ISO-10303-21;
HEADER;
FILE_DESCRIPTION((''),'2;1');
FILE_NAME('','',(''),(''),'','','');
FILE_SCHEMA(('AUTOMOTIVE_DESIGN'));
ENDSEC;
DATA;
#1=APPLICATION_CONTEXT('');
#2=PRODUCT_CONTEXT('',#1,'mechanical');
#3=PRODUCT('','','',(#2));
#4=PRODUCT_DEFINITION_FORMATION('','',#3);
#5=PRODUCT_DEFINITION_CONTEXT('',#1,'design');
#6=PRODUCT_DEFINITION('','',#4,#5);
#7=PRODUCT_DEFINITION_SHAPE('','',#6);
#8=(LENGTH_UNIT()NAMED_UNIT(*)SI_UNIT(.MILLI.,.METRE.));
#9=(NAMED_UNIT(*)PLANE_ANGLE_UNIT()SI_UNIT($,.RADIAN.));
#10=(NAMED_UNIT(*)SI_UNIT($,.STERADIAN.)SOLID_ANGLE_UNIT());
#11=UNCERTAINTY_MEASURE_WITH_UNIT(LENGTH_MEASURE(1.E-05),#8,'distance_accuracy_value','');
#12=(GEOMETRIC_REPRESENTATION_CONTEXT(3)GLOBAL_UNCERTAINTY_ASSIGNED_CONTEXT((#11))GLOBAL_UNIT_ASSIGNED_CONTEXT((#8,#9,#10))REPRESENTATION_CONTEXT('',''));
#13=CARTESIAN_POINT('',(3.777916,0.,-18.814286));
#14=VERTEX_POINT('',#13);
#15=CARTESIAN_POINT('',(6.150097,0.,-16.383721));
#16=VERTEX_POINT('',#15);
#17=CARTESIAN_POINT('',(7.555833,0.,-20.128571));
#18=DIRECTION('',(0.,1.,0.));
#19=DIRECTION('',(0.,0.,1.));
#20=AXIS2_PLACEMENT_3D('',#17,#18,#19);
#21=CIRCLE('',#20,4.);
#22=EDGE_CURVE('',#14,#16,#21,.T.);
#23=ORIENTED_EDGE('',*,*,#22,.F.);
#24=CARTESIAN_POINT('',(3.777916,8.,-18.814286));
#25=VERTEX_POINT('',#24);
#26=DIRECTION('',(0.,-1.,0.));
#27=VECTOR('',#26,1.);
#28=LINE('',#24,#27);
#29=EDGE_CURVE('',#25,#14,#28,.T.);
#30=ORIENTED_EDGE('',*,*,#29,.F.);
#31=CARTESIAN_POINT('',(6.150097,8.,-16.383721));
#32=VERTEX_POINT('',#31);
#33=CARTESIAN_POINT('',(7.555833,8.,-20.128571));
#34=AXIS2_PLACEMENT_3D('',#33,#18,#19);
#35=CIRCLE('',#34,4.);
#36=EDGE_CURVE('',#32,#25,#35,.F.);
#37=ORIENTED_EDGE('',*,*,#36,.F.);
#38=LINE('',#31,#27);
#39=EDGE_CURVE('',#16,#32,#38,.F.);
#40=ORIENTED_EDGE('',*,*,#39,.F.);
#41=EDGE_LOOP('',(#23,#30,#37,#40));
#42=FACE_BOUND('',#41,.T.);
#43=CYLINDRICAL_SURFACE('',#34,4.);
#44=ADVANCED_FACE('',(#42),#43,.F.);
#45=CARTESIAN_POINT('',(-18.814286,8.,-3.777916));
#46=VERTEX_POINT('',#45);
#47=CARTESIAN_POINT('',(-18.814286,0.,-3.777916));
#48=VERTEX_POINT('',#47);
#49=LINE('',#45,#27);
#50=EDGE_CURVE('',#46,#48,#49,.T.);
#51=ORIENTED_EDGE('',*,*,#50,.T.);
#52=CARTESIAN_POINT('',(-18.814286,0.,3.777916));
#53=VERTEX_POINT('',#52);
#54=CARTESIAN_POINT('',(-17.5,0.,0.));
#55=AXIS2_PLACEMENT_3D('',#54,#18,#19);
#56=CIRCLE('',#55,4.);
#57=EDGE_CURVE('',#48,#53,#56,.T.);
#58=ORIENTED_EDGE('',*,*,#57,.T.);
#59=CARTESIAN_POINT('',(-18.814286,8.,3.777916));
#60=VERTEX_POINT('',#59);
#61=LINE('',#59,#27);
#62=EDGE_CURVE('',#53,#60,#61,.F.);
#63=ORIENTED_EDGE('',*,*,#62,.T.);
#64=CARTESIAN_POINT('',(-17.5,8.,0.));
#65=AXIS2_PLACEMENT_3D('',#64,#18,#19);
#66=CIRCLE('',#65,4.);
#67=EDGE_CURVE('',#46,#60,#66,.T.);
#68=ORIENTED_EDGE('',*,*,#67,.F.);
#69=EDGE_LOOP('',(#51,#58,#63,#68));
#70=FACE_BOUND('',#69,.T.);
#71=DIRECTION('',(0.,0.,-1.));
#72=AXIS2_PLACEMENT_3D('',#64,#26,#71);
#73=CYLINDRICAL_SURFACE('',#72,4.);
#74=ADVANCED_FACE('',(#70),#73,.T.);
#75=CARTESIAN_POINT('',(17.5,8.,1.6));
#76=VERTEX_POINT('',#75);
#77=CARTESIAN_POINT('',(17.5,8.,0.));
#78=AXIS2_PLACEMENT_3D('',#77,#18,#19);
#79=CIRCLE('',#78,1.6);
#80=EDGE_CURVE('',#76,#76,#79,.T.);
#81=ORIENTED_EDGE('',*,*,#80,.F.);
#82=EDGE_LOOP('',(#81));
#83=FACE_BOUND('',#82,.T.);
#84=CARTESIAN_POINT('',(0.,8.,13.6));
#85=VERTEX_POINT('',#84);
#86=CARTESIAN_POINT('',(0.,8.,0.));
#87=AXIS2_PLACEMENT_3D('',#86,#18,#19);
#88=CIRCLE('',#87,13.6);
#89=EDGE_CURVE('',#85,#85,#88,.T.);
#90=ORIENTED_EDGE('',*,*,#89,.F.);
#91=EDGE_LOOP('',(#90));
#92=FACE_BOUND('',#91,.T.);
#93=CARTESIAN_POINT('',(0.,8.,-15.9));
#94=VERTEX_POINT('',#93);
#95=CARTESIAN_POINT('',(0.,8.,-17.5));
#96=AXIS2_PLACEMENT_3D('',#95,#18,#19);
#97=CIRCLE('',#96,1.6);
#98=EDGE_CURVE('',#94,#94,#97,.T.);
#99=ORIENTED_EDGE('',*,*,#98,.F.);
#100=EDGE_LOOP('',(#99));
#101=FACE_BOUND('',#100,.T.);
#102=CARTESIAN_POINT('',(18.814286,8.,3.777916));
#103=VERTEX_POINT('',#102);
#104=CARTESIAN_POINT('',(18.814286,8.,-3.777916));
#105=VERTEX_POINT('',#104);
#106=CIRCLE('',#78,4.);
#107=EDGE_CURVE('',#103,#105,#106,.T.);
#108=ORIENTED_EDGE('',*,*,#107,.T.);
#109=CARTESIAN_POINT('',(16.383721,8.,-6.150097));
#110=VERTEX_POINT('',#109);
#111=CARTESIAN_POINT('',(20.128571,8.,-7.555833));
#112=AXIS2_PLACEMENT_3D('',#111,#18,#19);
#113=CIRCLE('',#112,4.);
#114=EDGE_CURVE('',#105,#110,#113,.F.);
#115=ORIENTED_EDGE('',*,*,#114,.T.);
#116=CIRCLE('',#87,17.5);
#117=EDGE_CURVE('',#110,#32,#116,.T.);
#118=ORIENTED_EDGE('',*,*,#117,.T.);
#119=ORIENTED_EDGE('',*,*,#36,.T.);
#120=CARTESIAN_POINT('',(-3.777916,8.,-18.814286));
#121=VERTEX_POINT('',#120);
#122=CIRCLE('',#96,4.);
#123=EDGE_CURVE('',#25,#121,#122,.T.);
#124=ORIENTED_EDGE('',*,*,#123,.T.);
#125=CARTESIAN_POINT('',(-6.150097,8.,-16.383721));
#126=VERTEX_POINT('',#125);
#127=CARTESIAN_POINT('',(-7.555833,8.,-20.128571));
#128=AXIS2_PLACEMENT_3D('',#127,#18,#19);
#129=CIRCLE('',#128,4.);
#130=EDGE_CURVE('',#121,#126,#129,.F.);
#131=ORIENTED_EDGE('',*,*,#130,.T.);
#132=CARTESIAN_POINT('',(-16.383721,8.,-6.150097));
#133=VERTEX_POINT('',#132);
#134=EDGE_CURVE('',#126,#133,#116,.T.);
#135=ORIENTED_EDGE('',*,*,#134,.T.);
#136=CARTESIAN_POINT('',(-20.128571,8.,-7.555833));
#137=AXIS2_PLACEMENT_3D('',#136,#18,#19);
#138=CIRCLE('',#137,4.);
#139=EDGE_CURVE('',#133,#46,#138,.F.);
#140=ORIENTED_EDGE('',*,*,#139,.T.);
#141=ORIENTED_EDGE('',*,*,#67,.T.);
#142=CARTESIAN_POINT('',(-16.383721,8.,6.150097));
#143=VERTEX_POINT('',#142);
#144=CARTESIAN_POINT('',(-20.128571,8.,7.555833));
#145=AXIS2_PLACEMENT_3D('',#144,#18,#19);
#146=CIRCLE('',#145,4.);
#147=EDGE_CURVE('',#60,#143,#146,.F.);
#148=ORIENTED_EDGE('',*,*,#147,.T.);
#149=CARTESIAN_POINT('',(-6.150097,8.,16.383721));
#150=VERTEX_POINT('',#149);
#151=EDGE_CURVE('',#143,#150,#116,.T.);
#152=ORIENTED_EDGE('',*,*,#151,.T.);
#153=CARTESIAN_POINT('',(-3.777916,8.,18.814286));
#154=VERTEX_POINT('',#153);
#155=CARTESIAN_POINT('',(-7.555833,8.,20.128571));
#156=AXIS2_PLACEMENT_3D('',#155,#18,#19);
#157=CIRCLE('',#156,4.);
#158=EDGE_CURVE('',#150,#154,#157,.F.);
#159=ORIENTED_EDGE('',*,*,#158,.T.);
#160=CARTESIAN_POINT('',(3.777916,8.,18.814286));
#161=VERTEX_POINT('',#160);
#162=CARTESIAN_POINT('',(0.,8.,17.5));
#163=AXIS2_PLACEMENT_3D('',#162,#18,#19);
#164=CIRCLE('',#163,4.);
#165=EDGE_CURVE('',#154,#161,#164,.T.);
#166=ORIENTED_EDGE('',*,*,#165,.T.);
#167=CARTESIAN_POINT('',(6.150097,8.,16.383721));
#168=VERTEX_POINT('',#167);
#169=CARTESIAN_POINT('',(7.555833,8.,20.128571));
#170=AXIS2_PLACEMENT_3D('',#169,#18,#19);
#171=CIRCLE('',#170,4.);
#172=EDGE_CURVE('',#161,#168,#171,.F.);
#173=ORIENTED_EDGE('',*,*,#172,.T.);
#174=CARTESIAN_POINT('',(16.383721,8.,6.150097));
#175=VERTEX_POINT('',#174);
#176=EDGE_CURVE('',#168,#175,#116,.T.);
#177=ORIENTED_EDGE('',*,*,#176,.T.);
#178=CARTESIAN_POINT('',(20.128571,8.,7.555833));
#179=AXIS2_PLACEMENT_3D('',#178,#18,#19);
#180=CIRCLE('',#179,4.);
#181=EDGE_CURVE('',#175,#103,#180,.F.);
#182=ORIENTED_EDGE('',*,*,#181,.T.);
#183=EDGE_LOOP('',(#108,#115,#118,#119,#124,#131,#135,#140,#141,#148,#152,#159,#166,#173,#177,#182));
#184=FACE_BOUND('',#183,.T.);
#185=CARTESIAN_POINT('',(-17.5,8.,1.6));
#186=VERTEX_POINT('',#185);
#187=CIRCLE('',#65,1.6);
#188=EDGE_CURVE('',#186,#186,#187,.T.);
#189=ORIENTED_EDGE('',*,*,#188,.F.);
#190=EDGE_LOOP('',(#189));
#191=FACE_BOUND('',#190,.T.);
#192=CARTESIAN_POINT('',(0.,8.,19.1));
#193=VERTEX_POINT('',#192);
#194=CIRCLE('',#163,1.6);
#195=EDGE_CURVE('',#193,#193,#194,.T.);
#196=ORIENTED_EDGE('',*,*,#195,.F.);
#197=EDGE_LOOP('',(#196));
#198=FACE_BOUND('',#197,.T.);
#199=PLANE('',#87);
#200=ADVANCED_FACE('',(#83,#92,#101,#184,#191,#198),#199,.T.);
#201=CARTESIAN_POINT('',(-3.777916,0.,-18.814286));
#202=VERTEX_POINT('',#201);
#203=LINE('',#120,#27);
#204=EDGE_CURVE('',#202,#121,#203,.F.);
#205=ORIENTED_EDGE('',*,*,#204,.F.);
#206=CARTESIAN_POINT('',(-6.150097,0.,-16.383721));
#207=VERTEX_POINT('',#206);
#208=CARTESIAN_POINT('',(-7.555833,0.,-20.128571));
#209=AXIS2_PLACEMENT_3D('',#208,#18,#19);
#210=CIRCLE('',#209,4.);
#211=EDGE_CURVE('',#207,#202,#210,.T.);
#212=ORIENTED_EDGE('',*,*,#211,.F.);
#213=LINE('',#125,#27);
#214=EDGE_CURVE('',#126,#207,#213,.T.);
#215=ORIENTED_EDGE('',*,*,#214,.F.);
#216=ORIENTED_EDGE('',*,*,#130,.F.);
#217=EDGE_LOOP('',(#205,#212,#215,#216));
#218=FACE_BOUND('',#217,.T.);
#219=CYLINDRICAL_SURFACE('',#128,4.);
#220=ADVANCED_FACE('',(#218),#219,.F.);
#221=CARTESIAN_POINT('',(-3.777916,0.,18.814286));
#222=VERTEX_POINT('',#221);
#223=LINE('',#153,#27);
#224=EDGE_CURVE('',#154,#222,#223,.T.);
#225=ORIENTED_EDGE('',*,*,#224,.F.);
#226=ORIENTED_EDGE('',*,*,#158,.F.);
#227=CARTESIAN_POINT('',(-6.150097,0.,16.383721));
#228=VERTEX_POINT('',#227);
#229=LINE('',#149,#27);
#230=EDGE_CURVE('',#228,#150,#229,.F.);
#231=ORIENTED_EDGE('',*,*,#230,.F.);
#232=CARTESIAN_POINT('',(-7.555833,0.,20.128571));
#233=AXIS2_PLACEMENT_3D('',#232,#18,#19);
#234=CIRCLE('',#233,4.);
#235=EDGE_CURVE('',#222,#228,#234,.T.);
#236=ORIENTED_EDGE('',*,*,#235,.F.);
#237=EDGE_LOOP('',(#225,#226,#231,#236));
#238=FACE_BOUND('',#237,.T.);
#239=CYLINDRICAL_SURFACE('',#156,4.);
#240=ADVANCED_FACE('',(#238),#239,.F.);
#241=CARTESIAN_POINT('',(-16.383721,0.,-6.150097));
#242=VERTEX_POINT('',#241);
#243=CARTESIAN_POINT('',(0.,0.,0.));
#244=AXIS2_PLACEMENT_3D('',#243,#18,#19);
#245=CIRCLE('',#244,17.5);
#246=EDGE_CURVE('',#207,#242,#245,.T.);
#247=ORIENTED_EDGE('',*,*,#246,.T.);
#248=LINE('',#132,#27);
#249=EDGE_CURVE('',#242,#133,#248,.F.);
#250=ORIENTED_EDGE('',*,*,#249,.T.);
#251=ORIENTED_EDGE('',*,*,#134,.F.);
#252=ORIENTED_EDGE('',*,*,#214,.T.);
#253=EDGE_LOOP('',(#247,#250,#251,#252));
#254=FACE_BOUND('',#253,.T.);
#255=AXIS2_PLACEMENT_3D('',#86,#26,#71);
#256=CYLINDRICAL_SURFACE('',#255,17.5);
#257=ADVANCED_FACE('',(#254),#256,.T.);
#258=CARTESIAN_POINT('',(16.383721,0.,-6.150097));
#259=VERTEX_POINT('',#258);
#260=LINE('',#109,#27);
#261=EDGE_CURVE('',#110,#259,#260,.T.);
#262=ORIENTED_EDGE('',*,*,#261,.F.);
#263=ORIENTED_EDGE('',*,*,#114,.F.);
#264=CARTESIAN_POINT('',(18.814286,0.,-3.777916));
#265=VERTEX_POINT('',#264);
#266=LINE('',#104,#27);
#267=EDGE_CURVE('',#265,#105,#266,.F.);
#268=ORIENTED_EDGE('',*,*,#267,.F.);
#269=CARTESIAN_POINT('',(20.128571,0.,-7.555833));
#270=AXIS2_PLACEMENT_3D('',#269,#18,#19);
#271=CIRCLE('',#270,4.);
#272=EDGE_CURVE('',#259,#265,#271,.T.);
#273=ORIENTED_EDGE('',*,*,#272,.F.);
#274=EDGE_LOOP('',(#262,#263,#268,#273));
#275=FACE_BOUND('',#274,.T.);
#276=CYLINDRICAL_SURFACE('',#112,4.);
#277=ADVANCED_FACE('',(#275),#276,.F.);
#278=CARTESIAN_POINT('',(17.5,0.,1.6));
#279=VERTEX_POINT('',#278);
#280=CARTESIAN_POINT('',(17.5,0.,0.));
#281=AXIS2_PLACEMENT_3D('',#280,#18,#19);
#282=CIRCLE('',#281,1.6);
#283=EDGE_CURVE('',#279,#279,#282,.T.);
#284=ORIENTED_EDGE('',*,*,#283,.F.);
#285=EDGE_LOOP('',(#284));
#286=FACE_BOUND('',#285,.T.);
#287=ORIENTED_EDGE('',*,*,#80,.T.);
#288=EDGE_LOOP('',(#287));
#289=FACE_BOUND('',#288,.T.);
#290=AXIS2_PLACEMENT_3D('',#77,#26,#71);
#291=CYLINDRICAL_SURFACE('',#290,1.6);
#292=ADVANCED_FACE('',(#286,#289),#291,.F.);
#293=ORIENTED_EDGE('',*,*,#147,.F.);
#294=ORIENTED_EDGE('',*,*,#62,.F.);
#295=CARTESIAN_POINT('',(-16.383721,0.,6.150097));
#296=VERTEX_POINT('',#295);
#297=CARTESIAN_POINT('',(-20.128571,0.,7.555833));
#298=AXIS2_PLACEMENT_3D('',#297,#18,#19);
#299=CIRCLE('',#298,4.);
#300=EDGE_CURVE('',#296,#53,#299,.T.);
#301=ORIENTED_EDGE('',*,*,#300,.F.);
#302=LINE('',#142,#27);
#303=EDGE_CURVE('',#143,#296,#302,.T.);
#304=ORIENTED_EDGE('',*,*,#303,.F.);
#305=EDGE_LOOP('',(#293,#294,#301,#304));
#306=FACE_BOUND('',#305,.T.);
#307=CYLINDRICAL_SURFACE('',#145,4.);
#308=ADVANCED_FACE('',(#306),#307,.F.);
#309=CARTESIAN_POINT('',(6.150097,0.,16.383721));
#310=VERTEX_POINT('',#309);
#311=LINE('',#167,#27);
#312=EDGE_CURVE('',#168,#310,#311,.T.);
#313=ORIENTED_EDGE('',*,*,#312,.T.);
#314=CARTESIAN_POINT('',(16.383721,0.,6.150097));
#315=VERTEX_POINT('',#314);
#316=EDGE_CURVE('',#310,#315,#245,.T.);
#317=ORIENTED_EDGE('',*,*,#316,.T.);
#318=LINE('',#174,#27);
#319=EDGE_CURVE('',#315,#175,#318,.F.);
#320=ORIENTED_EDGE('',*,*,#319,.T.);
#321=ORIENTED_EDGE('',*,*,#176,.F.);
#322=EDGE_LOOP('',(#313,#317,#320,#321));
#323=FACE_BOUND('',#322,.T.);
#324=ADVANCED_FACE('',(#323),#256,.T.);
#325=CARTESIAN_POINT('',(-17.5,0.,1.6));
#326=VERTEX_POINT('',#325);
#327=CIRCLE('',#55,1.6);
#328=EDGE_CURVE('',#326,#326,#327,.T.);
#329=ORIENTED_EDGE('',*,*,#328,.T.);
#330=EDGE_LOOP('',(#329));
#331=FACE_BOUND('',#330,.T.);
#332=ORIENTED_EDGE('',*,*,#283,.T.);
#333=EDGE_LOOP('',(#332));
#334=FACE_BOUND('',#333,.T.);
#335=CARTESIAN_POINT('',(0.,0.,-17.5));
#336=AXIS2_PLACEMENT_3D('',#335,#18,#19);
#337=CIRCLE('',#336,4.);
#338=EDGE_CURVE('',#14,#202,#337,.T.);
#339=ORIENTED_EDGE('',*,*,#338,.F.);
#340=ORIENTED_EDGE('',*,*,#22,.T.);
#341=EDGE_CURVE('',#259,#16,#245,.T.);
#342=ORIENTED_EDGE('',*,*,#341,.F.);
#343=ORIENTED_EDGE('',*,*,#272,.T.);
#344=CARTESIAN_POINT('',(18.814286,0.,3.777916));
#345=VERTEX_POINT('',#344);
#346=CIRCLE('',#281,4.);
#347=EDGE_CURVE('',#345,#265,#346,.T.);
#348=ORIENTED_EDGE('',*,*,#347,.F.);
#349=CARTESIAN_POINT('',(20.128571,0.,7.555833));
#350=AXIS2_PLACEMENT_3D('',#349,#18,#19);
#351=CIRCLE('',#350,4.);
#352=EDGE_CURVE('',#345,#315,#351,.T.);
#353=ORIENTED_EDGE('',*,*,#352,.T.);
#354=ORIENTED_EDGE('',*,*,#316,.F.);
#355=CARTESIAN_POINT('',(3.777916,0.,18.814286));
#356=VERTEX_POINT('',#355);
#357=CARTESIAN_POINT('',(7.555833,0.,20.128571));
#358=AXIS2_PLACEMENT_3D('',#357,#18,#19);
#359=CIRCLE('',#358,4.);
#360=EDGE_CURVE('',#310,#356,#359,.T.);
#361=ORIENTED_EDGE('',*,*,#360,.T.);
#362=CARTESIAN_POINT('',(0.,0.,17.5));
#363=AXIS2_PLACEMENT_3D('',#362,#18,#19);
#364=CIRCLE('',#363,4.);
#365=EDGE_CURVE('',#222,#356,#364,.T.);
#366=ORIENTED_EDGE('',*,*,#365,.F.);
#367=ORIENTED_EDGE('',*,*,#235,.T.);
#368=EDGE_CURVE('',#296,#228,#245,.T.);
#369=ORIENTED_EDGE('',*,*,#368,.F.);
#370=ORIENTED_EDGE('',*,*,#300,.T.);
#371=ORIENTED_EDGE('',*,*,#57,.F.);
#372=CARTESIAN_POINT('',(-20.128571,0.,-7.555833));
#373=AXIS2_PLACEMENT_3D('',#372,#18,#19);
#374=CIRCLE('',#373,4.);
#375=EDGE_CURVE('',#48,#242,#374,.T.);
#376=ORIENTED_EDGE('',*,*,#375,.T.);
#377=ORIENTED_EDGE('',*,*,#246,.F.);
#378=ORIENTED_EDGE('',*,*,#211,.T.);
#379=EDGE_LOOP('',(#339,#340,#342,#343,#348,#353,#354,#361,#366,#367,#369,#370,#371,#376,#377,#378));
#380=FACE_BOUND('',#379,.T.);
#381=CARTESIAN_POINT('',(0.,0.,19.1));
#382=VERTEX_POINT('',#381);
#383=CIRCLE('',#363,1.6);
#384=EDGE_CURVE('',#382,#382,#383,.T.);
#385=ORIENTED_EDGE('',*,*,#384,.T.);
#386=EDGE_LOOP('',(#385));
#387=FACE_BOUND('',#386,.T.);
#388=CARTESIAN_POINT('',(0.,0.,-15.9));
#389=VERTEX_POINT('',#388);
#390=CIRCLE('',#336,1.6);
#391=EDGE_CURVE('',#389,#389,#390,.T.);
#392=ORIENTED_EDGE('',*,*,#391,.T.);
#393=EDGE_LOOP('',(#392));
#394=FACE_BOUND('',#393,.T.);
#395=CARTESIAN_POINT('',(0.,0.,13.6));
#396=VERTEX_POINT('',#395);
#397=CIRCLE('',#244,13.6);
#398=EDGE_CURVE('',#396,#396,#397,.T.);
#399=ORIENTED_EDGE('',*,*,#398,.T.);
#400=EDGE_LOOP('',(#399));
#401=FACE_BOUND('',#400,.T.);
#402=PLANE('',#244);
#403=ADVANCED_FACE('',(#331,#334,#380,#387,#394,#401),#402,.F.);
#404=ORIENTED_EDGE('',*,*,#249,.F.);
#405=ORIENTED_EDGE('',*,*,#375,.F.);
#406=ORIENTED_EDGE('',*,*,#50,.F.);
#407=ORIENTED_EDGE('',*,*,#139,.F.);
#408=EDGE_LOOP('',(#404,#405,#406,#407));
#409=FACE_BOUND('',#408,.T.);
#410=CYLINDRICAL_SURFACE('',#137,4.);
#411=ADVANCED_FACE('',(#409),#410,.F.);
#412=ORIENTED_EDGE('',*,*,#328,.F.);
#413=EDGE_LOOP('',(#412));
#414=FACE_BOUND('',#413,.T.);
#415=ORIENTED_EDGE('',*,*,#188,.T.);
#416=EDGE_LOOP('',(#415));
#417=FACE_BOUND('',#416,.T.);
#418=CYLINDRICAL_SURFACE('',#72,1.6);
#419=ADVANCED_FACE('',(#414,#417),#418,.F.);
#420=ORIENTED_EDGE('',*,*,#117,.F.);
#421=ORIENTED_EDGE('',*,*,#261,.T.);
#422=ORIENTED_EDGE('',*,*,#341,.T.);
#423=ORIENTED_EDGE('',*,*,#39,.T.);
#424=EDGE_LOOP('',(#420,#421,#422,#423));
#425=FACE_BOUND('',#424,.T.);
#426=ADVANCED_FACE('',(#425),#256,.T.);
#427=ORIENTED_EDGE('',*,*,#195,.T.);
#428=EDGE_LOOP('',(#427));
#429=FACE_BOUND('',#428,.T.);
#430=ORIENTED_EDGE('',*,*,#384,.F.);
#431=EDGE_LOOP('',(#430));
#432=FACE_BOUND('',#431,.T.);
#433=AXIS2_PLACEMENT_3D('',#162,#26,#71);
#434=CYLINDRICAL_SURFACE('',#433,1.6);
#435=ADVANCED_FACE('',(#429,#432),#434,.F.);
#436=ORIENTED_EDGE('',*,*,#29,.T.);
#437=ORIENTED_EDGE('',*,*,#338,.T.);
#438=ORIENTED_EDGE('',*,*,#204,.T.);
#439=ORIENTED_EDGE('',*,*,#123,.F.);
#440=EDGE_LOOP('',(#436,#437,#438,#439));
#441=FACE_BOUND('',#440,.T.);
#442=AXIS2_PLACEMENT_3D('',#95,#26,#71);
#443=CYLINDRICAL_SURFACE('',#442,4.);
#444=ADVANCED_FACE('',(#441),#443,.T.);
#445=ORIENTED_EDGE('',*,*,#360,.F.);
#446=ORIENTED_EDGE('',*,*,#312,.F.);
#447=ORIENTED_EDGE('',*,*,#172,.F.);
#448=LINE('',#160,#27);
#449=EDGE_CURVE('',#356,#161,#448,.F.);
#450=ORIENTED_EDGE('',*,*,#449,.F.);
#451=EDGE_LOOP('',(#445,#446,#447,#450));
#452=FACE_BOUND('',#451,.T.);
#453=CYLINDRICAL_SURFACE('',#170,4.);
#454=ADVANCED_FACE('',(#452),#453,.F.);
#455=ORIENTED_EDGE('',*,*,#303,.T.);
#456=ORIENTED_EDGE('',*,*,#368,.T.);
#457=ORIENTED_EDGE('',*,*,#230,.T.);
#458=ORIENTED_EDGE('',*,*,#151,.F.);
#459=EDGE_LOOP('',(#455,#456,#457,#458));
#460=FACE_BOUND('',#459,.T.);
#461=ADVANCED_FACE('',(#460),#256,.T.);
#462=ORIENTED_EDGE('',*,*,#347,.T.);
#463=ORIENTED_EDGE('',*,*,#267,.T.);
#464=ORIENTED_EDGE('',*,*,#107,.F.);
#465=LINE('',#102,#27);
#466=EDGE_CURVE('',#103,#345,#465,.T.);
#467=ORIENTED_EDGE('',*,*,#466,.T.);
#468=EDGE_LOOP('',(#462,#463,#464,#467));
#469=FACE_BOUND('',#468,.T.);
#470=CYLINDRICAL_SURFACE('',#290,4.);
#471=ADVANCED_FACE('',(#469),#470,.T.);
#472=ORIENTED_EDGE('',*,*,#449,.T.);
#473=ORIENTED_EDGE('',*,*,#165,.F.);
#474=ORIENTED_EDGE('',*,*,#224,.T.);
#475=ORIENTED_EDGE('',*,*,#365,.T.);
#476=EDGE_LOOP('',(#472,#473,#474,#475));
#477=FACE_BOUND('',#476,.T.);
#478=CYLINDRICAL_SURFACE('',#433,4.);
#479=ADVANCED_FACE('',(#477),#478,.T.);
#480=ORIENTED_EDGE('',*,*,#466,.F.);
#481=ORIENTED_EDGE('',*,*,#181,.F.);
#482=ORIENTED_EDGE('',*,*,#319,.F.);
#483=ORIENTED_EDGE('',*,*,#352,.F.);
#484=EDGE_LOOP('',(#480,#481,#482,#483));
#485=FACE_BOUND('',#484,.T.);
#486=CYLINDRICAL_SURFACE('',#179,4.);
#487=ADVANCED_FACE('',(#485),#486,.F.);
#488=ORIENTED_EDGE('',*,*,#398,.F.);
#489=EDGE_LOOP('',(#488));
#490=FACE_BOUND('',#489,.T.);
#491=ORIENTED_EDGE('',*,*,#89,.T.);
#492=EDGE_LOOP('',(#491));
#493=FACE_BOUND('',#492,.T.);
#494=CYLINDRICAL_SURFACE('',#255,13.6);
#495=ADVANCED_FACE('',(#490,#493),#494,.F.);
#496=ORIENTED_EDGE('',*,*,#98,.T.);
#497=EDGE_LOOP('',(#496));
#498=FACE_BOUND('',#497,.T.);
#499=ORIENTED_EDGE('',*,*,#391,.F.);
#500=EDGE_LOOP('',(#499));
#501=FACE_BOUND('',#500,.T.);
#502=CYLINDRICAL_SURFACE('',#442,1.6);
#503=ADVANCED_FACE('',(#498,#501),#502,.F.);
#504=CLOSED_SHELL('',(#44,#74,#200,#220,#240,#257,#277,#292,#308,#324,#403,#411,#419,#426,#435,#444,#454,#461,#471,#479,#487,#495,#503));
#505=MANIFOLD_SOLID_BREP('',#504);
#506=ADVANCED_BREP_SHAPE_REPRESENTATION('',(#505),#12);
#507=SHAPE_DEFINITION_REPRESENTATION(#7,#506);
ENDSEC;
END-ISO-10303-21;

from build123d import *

# Parameters (mm, degrees)
SKETCH_1_R      = 1.6
SKETCH_1_R_2    = 13.6
EXTRUDE_1_DEPTH = 8
FILLET_1_R      = 4


with BuildPart() as part:
    # ｽｹｯﾁ1 → ﾎﾞｽ - 押し出し1 (new body)
    with BuildSketch(Plane(origin=(0, 0, 0), x_dir=(1, 0, 0), z_dir=(0, 1, 0))):
        with BuildLine():
            ThreePointArc((17.042857143, 3.973791692), (12.374368671, 12.374368671), (3.973791692, 17.042857143))
            ThreePointArc((3.973791692, 17.042857143), (0, 21.5), (-3.973791692, 17.042857143))
            ThreePointArc((-3.973791692, 17.042857143), (-12.374368671, 12.374368671), (-17.042857143, 3.973791692))
            ThreePointArc((-17.042857143, 3.973791692), (-21.5, 0), (-17.042857143, -3.973791692))
            ThreePointArc((-17.042857143, -3.973791692), (-12.374368671, -12.374368671), (-3.973791692, -17.042857143))
            ThreePointArc((-3.973791692, -17.042857143), (0, -21.5), (3.973791692, -17.042857143))
            ThreePointArc((3.973791692, -17.042857143), (12.374368671, -12.374368671), (17.042857143, -3.973791692))
            ThreePointArc((17.042857143, -3.973791692), (21.5, 0), (17.042857143, 3.973791692))
        make_face()
        with Locations((17.5, 0)):
            Circle(SKETCH_1_R, mode=Mode.SUBTRACT)
        Circle(SKETCH_1_R_2, mode=Mode.SUBTRACT)
        with Locations((0, -17.5)):
            Circle(SKETCH_1_R, mode=Mode.SUBTRACT)
        with Locations((0, 17.5)):
            Circle(SKETCH_1_R, mode=Mode.SUBTRACT)
        with Locations((-17.5, 0)):
            Circle(SKETCH_1_R, mode=Mode.SUBTRACT)
    extrude(amount=EXTRUDE_1_DEPTH)

    # ﾌｨﾚｯﾄ1
    fillet_1_edges = [part.edges().sort_by_distance(p)[0] for p in [
        (-17.042857143, 4, 3.973791692),
        (-3.973791692, 4, 17.042857143),
        (3.973791692, 4, 17.042857143),
        (17.042857143, 4, 3.973791692),
        (17.042857143, 4, -3.973791692),
        (3.973791692, 4, -17.042857143),
        (-17.042857143, 4, -3.973791692),
        (-3.973791692, 4, -17.042857143),
    ]]
    fillet(fillet_1_edges, radius=FILLET_1_R)


solid = part.part
